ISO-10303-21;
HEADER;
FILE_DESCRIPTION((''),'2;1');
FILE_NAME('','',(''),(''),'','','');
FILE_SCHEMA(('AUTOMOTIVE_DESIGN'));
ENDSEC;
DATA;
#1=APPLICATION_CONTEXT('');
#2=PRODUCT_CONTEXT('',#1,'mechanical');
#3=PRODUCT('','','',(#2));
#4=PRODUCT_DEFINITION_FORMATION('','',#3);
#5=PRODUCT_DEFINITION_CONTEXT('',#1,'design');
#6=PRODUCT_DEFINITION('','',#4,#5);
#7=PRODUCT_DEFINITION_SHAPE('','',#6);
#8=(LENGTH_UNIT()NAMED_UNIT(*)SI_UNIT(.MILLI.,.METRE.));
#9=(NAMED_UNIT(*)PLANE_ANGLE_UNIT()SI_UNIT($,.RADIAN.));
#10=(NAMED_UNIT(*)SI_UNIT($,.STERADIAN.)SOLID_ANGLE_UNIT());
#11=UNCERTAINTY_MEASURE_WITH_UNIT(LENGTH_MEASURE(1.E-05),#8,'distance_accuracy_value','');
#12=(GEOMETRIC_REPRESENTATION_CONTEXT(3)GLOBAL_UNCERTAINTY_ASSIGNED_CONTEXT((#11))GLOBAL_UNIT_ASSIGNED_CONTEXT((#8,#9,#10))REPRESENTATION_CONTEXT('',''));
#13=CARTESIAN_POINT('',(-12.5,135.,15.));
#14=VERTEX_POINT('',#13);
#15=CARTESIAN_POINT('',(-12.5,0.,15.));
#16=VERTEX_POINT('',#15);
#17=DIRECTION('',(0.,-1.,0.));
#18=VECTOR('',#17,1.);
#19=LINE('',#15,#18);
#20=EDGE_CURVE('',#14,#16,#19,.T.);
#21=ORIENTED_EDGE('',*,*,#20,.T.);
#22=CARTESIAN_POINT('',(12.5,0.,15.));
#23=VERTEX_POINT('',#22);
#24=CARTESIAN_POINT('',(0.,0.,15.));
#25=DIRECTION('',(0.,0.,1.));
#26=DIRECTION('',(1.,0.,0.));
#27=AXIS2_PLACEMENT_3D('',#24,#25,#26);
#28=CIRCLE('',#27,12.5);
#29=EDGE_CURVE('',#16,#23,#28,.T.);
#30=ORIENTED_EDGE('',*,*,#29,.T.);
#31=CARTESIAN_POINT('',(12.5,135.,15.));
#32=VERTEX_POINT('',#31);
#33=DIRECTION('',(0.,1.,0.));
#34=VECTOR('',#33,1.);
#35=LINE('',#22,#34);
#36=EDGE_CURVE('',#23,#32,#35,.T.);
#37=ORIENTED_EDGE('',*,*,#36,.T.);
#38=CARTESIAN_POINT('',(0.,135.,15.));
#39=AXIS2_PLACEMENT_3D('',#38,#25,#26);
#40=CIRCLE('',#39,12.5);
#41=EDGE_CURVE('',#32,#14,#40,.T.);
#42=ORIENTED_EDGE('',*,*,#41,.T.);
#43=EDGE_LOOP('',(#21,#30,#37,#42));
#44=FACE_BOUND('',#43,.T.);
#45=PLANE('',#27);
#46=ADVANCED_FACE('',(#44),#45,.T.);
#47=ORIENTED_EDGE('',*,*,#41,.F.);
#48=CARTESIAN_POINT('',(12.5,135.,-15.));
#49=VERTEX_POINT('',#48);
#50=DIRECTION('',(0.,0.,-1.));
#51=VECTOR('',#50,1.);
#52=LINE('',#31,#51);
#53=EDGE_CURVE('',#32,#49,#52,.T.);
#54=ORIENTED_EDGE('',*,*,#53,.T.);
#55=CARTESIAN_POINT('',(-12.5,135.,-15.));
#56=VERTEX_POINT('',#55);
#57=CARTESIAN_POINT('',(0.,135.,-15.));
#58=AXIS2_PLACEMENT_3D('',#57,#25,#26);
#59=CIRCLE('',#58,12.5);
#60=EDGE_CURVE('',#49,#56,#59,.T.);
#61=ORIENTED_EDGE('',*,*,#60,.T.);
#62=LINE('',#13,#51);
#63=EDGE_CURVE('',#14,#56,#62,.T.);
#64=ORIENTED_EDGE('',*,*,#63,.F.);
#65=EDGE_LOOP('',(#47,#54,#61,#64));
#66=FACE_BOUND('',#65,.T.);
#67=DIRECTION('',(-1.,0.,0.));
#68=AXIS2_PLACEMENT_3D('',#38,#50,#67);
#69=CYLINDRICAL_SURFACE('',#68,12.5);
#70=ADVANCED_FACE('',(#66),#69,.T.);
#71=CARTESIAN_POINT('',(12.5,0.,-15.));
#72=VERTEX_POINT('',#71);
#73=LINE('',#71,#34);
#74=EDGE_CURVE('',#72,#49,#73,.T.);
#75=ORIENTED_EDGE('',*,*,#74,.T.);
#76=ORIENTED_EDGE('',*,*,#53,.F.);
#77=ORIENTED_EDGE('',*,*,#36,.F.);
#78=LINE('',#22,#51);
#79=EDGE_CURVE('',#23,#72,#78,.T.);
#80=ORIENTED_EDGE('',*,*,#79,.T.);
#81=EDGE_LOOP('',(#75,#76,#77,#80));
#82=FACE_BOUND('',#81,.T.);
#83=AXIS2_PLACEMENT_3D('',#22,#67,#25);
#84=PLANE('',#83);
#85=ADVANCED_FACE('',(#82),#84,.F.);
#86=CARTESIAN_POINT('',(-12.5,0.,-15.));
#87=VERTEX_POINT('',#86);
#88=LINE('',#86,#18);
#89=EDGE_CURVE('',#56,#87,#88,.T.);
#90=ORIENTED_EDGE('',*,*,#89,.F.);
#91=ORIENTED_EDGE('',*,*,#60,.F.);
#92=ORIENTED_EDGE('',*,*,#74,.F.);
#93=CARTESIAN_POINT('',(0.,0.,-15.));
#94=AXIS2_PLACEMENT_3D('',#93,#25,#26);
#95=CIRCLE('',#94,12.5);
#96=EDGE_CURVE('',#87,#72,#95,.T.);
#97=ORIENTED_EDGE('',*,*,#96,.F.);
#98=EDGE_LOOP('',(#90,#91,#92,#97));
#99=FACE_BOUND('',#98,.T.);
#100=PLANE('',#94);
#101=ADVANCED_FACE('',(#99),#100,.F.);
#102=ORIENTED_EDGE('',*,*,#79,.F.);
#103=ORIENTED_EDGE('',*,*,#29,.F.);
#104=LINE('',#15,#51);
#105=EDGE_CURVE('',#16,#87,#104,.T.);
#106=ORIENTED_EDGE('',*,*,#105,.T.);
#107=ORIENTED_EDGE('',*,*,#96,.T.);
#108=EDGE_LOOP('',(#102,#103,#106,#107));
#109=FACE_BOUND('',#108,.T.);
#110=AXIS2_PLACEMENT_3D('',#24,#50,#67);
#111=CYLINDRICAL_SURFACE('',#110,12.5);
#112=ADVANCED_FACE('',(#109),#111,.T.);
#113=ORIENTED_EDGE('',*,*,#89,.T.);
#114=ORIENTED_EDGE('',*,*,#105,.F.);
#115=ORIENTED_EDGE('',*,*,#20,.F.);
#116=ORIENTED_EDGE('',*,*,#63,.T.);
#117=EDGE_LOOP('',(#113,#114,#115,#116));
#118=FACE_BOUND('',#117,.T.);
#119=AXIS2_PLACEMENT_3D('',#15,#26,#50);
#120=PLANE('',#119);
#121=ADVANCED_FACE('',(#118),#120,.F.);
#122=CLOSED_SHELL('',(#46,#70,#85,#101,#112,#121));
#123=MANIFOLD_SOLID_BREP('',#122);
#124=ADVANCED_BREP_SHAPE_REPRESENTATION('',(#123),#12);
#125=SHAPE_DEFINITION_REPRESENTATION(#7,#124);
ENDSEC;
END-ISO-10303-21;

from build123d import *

# Parameters (mm, degrees)
EXTRUDE_1_DEPTH = 15


with BuildPart() as part:
    # 草图1 → 凸台-拉伸1 (new body, symmetric)
    with BuildSketch(Plane.XY):
        with BuildLine():
            Line((-12.5, 0), (-12.5, 135))
            ThreePointArc((-12.5, 135), (0, 147.5), (12.5, 135))
            Line((12.5, 135), (12.5, 0))
            ThreePointArc((12.5, 0), (0, -12.5), (-12.5, 0))
        make_face()
    extrude(amount=EXTRUDE_1_DEPTH, both=True)


solid = part.part
